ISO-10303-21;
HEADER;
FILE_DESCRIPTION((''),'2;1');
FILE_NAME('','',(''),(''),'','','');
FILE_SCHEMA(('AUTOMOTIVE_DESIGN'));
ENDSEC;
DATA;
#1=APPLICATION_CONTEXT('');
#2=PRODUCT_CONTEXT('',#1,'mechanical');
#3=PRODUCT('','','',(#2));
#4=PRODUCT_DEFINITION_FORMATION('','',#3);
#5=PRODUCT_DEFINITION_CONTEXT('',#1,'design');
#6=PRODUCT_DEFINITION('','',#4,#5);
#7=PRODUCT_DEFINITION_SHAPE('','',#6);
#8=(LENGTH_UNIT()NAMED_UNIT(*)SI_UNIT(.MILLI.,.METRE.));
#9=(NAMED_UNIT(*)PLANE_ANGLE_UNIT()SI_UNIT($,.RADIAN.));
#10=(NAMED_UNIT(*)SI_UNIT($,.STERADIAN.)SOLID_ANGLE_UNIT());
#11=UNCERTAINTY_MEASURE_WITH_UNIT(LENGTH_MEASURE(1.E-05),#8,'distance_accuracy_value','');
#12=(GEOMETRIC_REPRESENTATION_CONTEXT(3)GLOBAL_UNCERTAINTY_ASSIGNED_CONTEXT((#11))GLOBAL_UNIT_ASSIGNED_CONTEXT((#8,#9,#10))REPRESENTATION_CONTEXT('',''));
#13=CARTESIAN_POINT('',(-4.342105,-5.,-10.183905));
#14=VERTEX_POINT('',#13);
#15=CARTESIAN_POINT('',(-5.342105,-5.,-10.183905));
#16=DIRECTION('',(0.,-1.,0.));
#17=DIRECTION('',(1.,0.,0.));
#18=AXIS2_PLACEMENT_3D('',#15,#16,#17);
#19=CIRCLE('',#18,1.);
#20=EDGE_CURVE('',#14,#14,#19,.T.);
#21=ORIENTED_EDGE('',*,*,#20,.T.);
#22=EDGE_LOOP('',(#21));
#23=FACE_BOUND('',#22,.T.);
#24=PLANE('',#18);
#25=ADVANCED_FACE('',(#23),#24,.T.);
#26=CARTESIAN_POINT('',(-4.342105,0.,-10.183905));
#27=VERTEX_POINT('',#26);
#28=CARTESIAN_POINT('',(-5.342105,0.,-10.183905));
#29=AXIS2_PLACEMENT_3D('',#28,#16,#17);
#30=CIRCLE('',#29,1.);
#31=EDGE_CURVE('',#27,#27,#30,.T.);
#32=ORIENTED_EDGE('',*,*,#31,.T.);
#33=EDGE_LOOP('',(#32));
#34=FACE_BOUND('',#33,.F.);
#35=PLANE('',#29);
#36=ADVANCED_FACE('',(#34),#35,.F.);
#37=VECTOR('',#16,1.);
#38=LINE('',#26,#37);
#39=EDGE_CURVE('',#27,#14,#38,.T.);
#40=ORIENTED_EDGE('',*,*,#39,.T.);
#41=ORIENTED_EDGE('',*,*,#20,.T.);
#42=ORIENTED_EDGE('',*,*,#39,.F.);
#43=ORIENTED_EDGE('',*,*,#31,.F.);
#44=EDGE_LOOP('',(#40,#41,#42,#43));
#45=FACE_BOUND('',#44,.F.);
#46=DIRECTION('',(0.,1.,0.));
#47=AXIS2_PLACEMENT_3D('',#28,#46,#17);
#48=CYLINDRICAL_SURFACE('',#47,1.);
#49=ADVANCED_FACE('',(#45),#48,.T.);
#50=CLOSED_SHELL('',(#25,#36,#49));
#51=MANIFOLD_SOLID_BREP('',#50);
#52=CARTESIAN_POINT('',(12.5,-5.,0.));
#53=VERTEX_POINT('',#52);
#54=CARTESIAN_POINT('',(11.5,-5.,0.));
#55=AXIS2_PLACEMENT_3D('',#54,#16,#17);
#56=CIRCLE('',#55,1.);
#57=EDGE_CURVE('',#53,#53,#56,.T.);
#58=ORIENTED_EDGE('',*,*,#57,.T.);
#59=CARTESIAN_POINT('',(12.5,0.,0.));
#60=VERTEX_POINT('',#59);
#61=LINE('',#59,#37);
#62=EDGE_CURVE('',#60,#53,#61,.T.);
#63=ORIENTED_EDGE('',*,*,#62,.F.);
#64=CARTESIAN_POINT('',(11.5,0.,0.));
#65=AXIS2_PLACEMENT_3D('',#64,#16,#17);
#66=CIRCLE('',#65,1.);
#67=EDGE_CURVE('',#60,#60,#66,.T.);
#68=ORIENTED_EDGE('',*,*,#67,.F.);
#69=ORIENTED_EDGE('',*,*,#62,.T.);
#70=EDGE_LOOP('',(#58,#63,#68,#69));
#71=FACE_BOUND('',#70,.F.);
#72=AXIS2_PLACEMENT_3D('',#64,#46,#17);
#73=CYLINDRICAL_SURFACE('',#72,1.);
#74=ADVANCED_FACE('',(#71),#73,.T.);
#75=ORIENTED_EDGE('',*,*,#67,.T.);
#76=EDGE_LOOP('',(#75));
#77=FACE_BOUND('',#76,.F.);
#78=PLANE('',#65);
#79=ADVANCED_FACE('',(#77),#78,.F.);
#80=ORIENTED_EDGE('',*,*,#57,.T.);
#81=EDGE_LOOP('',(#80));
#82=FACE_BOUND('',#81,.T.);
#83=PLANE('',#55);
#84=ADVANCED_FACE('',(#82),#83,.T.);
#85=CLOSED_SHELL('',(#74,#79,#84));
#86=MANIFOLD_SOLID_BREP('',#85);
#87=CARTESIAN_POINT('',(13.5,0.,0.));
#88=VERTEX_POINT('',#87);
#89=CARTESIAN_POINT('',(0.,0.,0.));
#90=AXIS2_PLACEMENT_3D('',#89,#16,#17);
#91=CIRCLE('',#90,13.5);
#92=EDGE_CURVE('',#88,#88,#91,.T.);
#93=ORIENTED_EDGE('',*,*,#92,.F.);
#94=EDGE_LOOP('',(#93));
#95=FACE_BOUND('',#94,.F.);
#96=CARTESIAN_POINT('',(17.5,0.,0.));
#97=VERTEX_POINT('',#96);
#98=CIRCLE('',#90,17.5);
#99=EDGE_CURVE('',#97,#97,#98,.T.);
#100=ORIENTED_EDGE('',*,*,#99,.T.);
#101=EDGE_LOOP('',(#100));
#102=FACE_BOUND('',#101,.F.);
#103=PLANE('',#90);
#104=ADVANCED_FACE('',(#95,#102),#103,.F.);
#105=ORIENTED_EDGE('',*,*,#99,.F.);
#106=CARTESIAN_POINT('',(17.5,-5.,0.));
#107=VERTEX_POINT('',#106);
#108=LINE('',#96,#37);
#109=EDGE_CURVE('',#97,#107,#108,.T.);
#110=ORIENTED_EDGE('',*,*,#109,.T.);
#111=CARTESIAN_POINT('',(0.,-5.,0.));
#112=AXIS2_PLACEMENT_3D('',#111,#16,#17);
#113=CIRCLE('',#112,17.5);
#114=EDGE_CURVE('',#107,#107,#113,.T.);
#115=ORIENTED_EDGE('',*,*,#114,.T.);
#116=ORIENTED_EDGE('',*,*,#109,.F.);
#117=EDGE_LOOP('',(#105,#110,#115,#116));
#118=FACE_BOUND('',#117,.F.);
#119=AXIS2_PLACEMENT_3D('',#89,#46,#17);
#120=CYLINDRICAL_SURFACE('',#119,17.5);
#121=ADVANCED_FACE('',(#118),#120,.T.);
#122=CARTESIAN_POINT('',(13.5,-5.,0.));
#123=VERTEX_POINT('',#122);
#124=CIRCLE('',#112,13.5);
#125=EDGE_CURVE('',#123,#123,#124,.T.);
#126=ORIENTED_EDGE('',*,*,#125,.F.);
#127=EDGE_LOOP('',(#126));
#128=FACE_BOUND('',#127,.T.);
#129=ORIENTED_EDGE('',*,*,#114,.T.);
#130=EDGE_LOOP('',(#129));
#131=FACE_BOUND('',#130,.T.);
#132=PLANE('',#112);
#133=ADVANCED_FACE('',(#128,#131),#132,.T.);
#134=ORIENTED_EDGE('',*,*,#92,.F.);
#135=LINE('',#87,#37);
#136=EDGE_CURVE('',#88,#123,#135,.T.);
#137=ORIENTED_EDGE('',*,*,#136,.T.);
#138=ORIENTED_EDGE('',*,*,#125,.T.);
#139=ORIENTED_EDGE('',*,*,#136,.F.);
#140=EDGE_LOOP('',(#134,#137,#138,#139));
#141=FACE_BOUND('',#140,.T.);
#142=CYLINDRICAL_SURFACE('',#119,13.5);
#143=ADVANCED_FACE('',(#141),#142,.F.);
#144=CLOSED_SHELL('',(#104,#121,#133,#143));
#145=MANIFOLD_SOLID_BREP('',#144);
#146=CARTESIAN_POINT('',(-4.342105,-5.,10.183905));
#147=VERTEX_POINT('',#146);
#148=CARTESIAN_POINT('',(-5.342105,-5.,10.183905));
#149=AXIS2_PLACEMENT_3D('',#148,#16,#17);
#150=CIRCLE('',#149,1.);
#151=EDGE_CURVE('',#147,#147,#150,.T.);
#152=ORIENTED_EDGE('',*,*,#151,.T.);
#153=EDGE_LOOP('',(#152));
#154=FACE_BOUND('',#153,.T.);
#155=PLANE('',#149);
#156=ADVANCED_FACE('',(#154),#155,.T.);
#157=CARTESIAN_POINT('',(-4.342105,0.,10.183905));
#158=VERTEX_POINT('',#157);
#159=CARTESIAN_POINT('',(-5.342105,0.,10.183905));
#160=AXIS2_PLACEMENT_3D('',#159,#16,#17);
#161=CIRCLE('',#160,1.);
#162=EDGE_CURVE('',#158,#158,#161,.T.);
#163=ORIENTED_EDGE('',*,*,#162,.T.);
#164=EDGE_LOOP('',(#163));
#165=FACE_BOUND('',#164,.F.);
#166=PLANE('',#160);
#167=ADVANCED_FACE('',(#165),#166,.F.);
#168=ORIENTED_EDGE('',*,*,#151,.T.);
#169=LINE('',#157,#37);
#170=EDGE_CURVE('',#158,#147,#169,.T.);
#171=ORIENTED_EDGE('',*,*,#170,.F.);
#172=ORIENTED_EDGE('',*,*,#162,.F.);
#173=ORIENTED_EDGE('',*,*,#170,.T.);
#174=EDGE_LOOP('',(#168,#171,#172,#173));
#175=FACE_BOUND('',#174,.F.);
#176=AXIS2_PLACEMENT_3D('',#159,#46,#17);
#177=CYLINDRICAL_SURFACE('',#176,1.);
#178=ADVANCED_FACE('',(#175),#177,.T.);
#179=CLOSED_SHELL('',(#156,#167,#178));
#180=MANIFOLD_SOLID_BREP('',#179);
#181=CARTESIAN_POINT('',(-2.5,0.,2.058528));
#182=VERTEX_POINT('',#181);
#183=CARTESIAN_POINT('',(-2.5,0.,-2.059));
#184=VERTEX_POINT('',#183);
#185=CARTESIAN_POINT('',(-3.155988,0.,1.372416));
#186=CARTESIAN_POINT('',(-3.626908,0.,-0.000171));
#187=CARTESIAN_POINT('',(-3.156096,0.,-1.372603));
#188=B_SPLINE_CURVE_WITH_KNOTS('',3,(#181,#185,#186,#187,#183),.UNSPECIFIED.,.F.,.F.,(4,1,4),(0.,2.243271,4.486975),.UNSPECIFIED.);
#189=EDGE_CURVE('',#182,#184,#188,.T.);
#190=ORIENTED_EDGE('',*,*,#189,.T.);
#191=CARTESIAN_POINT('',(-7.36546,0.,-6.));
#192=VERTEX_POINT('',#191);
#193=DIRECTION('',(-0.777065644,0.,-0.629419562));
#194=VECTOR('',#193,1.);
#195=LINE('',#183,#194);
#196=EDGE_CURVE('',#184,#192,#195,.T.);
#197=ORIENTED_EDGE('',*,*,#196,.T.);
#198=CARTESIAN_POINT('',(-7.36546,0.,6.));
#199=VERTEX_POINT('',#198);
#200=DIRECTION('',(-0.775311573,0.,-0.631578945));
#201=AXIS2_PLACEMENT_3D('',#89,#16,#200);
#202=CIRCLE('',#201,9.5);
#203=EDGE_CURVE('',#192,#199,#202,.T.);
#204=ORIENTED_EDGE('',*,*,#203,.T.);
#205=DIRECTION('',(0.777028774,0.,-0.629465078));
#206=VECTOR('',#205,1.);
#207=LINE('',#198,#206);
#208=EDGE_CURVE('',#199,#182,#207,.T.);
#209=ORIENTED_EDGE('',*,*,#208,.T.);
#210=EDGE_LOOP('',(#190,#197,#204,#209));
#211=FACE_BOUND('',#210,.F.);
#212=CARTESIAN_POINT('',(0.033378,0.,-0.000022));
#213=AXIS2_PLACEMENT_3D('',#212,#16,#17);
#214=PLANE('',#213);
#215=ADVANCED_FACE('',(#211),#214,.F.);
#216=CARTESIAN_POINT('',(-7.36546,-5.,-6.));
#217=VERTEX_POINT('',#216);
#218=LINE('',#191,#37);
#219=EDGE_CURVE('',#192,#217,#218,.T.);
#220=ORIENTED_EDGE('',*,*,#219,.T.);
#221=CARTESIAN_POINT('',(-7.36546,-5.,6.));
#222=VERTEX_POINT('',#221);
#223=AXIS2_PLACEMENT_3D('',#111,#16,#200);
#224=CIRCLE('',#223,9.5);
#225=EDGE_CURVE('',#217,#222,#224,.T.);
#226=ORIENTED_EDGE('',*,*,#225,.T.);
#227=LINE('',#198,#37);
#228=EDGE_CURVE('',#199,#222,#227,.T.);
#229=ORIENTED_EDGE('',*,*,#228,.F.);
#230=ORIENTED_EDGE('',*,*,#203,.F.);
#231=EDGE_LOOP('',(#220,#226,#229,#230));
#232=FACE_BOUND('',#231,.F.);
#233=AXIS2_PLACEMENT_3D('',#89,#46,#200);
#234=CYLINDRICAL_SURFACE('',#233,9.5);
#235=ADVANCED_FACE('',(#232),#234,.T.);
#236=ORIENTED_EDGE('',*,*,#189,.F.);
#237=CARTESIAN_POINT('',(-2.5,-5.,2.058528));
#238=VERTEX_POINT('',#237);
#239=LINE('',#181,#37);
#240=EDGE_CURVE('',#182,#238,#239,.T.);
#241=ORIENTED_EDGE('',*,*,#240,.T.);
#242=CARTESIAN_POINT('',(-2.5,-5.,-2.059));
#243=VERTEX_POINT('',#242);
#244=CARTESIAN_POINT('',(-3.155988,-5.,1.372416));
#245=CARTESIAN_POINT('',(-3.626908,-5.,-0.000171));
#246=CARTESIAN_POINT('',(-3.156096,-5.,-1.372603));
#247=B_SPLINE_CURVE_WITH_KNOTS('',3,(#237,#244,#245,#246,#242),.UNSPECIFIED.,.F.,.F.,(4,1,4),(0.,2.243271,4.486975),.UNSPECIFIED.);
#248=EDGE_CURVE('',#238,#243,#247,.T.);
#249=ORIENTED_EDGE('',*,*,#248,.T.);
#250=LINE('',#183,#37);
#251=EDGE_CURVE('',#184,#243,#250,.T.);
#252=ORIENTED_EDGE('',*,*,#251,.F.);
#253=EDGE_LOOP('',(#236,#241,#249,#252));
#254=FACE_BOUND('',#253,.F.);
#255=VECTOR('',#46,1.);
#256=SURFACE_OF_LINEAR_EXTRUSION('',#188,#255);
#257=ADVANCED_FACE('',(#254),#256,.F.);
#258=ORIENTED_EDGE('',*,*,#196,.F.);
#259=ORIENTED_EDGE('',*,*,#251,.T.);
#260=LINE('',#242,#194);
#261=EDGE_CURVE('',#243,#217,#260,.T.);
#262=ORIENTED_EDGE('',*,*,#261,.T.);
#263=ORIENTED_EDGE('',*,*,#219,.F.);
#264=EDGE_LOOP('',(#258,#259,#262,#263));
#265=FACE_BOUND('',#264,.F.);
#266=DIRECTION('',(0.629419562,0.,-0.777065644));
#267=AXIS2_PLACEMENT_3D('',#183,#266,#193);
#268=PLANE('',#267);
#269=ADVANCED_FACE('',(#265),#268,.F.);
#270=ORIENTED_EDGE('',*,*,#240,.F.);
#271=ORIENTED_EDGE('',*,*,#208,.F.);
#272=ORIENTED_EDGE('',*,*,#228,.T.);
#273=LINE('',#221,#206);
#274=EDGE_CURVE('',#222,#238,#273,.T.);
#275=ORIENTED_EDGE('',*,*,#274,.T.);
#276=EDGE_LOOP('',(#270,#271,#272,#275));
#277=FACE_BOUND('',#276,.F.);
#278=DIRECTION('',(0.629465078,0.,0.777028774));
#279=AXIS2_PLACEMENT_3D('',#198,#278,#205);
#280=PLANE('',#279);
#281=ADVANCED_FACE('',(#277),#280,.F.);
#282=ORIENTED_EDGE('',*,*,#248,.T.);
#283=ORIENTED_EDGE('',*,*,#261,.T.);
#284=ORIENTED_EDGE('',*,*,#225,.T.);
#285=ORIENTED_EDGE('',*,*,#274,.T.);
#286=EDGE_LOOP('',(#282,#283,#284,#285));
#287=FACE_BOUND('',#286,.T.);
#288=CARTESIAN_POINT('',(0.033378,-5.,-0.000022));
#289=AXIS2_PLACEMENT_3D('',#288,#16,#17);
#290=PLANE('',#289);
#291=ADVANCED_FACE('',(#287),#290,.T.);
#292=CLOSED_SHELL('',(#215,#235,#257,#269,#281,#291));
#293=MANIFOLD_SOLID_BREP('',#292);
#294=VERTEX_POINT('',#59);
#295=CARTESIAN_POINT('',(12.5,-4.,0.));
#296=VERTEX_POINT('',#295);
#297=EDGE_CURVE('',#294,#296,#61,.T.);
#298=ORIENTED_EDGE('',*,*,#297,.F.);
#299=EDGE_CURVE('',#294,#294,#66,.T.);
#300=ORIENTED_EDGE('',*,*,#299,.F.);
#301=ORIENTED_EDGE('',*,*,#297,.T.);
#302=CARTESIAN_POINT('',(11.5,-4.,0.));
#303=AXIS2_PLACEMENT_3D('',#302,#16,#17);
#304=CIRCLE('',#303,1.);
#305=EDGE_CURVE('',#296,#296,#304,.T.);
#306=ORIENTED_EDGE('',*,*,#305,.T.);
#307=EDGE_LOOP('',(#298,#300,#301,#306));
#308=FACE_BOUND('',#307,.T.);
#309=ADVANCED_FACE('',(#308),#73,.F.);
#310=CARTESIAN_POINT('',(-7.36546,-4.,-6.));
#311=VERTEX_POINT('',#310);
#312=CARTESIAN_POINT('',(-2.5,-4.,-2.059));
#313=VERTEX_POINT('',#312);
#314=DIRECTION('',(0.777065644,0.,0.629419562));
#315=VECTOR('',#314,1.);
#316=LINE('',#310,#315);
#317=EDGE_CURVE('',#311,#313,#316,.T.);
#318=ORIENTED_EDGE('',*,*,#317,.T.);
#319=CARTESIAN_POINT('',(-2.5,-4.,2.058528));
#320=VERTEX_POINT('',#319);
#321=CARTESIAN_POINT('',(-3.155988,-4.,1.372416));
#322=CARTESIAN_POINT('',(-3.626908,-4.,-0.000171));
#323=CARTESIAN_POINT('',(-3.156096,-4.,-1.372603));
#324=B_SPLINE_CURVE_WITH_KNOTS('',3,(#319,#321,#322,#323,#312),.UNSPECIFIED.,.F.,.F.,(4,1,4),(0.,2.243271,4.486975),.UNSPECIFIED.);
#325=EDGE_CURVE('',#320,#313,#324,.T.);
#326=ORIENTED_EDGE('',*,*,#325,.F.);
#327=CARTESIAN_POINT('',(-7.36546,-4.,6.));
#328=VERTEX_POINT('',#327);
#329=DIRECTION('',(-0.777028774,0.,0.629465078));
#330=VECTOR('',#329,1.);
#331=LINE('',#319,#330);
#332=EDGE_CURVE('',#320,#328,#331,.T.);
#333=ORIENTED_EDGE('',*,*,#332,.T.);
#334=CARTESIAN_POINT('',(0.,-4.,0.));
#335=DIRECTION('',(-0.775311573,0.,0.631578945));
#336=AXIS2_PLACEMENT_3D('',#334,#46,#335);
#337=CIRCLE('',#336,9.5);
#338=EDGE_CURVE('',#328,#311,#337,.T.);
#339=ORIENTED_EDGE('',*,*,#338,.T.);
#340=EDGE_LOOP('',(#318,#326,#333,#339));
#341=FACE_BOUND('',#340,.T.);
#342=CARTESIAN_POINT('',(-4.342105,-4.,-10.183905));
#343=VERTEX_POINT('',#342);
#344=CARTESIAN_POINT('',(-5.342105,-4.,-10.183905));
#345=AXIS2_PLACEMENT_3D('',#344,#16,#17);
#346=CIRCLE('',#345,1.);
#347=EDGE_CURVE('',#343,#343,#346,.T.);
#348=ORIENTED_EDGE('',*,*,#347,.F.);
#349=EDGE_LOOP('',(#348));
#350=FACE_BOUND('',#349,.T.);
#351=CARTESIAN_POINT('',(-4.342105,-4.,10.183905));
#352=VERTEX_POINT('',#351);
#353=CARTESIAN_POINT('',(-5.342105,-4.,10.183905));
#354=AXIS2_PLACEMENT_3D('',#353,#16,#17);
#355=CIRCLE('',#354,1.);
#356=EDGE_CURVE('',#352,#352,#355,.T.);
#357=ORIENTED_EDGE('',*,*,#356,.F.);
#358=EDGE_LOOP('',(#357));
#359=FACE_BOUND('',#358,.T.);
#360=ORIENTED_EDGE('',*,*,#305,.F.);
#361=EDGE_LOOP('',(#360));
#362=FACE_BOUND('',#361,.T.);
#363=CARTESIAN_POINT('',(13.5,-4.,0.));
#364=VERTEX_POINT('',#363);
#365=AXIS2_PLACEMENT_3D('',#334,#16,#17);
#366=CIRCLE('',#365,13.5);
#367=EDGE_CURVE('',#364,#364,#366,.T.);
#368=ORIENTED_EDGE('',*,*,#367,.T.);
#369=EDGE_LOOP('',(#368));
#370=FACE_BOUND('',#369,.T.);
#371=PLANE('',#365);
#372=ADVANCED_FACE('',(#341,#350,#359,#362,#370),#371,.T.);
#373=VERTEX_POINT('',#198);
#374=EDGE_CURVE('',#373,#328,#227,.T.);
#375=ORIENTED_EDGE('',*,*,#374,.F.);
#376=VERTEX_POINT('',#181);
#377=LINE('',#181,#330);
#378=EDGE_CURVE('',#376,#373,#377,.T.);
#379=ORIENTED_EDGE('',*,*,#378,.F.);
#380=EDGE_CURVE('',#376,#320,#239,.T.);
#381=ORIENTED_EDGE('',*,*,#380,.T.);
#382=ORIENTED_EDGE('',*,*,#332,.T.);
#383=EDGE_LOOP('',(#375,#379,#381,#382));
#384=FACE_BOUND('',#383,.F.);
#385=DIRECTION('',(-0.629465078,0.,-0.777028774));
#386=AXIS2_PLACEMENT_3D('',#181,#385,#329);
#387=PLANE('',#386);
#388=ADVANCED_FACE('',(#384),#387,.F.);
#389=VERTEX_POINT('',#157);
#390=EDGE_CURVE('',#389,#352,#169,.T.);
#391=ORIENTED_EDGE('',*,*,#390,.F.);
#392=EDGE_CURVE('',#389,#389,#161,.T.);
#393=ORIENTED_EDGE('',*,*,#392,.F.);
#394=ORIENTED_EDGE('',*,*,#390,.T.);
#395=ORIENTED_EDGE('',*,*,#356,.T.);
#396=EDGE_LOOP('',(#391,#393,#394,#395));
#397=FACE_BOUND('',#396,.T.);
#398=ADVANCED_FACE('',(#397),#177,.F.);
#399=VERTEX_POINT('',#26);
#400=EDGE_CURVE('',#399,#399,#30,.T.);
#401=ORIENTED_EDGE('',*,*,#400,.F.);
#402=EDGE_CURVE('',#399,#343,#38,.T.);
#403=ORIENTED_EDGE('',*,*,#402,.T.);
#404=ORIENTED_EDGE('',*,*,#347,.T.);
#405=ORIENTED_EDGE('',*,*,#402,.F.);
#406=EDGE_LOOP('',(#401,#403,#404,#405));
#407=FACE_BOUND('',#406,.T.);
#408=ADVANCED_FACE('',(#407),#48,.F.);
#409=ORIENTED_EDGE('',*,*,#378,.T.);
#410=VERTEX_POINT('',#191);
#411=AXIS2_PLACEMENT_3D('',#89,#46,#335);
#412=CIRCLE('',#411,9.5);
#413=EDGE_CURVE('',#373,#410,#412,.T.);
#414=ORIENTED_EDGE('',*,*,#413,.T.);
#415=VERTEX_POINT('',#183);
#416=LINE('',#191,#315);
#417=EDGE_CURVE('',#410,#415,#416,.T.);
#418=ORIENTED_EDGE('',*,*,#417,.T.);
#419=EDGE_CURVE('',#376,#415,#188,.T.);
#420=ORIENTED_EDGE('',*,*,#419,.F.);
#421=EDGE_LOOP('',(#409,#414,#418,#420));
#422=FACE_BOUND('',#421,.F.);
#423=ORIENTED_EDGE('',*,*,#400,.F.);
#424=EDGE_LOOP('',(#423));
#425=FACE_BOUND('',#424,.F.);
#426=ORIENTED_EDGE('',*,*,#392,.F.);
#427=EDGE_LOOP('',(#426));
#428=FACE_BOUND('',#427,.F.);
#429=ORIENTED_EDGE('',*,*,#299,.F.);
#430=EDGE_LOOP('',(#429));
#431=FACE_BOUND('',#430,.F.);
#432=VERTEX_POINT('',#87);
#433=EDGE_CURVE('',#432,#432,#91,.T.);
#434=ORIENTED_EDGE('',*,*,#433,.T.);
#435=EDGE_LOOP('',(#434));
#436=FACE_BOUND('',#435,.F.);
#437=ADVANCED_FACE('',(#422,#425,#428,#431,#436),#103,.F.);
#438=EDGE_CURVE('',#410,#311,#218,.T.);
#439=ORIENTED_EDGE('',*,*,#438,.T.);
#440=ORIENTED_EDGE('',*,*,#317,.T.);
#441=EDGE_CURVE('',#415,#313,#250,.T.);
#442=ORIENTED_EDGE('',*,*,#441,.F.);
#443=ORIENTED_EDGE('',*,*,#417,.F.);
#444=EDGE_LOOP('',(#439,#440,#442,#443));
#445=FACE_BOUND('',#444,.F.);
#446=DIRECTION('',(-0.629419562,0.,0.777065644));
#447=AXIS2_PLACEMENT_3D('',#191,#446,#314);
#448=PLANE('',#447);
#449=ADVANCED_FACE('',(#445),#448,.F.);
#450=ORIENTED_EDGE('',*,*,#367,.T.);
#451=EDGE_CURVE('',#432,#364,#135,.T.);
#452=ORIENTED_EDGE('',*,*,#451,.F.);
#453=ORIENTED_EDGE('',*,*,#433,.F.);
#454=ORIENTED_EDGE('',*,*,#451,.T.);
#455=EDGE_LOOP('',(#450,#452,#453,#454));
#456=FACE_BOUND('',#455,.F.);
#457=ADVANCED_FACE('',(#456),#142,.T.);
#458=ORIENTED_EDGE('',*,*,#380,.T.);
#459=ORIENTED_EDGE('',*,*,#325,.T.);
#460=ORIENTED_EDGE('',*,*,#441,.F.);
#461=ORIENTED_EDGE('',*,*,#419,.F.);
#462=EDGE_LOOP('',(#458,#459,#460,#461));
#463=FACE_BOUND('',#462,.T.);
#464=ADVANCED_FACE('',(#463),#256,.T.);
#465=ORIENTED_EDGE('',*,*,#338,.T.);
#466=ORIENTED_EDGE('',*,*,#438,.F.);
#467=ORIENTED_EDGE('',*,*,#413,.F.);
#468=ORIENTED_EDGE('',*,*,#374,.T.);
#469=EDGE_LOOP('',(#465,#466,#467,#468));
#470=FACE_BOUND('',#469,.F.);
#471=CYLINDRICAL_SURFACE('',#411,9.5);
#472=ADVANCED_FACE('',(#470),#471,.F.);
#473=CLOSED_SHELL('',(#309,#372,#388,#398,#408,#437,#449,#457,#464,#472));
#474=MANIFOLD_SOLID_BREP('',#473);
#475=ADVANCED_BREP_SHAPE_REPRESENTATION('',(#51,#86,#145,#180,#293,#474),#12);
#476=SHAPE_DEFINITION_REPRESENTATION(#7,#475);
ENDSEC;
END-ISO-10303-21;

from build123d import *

# Parameters (mm, degrees)
F0_R     = 17.5
F0_R_2   = 13.5
F0_R_3   = 1
F1_DEPTH = 5
F2_DEPTH = 4


with BuildPart() as f1:
    # F0 (on Front) → F1 (new body)
    with BuildSketch(Plane.XZ):
        Circle(F0_R)
        Circle(F0_R_2, mode=Mode.SUBTRACT)
        with BuildLine():
            ThreePointArc((-7.36546, -6), (9.5, 0), (-7.36546, 6))
            Line((-7.36546, 6), (-2.5, 2.058528))
            add(Edge.make_bspline(
                [(-2.5, 2.058528), (-3.155988, 1.372416), (-3.626908, -0.000171), (-3.156096, -1.372603), (-2.5, -2.059)],
                knots=[0, 0, 0, 0, 2.243271, 4.486975, 4.486975, 4.486975, 4.486975], degree=3))
            Line((-2.5, -2.059), (-7.36546, -6))
        make_face()
        with Locations((-5.342105, -10.183905)):
            Circle(F0_R_3)
        with Locations((-5.342105, 10.183905)):
            Circle(F0_R_3)
        with Locations((11.5, 0)):
            Circle(F0_R_3)
    extrude(amount=F1_DEPTH)


with BuildPart() as f2:
    # F0 (on Front) → F2 (new body)
    with BuildSketch(Plane.XZ):
        Circle(F0_R_2)
        with Locations((-5.342105, -10.183905)):
            Circle(F0_R_3, mode=Mode.SUBTRACT)
        with BuildLine():
            Line((-2.5, 2.058528), (-7.36546, 6))
            ThreePointArc((-7.36546, 6), (9.5, 0), (-7.36546, -6))
            Line((-7.36546, -6), (-2.5, -2.059))
            add(Edge.make_bspline(
                [(-2.5, 2.058528), (-3.155988, 1.372416), (-3.626908, -0.000171), (-3.156096, -1.372603), (-2.5, -2.059)],
                knots=[0, 0, 0, 0, 2.243271, 4.486975, 4.486975, 4.486975, 4.486975], degree=3))
        make_face(mode=Mode.SUBTRACT)
        with Locations((-5.342105, 10.183905)):
            Circle(F0_R_3, mode=Mode.SUBTRACT)
        with Locations((11.5, 0)):
            Circle(F0_R_3, mode=Mode.SUBTRACT)
    extrude(amount=F2_DEPTH)


solid = Compound([f1.part, f2.part])
